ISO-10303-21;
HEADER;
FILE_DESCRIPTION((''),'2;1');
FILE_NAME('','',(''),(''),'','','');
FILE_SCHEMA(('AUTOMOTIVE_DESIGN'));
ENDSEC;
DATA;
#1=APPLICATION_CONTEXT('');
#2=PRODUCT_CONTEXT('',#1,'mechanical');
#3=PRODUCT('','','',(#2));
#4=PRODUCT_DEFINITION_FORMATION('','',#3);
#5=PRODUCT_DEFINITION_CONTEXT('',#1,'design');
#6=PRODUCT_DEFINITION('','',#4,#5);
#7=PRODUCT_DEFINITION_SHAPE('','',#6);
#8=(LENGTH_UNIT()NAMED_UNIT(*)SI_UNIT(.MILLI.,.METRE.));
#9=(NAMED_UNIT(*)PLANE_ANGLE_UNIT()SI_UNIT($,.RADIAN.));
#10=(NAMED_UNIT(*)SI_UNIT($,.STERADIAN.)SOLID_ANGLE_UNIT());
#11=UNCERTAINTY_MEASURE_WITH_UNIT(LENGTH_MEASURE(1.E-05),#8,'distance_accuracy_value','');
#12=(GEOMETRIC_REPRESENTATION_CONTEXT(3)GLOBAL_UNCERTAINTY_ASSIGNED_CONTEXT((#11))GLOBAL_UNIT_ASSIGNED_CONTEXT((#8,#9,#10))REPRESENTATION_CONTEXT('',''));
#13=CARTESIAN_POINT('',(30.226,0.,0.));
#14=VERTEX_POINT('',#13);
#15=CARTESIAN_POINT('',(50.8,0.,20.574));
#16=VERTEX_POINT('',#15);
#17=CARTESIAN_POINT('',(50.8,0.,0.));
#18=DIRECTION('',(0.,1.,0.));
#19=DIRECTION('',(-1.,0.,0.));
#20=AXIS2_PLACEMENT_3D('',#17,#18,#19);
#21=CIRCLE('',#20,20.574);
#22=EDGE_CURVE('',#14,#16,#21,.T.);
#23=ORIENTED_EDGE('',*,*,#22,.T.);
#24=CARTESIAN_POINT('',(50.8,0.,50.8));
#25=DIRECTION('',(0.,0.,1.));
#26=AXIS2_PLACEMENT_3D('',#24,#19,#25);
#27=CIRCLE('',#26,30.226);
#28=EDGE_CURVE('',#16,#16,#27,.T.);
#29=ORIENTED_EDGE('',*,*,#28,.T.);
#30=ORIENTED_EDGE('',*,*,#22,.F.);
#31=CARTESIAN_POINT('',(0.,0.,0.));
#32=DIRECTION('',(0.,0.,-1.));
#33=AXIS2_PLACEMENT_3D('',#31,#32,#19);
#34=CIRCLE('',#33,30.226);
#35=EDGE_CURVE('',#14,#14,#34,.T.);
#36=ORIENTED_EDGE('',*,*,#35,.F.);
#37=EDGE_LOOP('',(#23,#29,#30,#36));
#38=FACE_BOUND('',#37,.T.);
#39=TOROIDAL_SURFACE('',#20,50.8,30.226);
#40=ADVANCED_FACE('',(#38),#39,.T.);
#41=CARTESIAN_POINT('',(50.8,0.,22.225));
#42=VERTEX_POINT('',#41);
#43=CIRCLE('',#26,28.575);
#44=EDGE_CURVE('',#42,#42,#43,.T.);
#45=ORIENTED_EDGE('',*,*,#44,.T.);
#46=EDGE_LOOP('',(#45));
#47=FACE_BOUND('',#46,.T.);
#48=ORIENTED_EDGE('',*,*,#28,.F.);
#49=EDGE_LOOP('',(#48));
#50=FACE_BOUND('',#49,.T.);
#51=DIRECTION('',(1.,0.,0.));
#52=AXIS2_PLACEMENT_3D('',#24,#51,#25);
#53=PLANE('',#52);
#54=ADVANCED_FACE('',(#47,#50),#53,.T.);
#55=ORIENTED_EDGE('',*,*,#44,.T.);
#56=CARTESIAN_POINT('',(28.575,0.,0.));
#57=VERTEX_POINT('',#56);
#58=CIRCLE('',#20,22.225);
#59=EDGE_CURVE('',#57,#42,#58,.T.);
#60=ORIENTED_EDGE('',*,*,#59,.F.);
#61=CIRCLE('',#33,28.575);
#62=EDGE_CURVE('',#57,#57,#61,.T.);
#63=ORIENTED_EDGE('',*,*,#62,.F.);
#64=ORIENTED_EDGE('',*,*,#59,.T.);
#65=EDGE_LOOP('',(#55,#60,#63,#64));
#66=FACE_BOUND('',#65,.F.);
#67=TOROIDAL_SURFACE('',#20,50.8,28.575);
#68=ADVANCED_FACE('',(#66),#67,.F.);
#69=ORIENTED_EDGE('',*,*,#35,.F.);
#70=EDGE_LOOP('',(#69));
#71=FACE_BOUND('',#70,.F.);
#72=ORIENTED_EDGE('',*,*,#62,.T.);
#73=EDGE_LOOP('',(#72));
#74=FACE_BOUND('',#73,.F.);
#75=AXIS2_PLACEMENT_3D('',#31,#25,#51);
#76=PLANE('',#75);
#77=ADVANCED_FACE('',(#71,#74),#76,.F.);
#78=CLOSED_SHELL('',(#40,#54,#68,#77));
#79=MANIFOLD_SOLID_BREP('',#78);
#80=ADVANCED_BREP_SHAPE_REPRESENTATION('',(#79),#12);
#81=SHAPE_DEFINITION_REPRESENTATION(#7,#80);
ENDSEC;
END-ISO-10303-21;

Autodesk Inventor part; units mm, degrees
ref_plane "YZ Plane" through (0, 0, 0) normal (1, 0, 0) x (0, 1, 0)
ref_plane "XZ Plane" through (0, 0, 0) normal (0, 1, 0) x (-1, 0, 0)
ref_plane "XY Plane" through (0, 0, 0) normal (0, 0, 1) x (1, 0, 0)
sketch "Sketch1" plane through (0, 0, 0) normal (0, 0, 1) x (1, 0, 0)
  circle A0 centre (0, 0) radius 28.575
  circle A1 centre (0, 0) radius 30.226
  dimension "d0" = 57.15
  dimension "d1" = 60.452
sketch "Sketch2" plane through (0, 0, 0) normal (0, 1, 0) x (-1, 0, 0)
  line L0 (0, 0) -> (0, 50.8) construction
  line L1 (0, 50.8) -> (-50.8, 50.8) construction
  arc A0 (0, 0) -> (-50.8, 50.8) centre (-50.8, 0) ccw
  dimension "d2" = 50.8
  dimension "d3" = 50.8
sweep "Sweep1" add profiles "Sketch1" path "Sketch2"
equation "\"d0\" = -2 * T + OD"
equation "\"d1\" = OD"
equation "\"d2\" = A"
equation "\"d3\" = A"
equation "\"OD\" = 60.452"
equation "\"A\" = 50.8"
equation "\"T\" = 1.651"
equation "\"Size_Designation\" = 1.2345"
properties part number "ASME B16.9 Short Radius 90 Deg Elbow 2 x 0.065" material "Wrought Steel"
